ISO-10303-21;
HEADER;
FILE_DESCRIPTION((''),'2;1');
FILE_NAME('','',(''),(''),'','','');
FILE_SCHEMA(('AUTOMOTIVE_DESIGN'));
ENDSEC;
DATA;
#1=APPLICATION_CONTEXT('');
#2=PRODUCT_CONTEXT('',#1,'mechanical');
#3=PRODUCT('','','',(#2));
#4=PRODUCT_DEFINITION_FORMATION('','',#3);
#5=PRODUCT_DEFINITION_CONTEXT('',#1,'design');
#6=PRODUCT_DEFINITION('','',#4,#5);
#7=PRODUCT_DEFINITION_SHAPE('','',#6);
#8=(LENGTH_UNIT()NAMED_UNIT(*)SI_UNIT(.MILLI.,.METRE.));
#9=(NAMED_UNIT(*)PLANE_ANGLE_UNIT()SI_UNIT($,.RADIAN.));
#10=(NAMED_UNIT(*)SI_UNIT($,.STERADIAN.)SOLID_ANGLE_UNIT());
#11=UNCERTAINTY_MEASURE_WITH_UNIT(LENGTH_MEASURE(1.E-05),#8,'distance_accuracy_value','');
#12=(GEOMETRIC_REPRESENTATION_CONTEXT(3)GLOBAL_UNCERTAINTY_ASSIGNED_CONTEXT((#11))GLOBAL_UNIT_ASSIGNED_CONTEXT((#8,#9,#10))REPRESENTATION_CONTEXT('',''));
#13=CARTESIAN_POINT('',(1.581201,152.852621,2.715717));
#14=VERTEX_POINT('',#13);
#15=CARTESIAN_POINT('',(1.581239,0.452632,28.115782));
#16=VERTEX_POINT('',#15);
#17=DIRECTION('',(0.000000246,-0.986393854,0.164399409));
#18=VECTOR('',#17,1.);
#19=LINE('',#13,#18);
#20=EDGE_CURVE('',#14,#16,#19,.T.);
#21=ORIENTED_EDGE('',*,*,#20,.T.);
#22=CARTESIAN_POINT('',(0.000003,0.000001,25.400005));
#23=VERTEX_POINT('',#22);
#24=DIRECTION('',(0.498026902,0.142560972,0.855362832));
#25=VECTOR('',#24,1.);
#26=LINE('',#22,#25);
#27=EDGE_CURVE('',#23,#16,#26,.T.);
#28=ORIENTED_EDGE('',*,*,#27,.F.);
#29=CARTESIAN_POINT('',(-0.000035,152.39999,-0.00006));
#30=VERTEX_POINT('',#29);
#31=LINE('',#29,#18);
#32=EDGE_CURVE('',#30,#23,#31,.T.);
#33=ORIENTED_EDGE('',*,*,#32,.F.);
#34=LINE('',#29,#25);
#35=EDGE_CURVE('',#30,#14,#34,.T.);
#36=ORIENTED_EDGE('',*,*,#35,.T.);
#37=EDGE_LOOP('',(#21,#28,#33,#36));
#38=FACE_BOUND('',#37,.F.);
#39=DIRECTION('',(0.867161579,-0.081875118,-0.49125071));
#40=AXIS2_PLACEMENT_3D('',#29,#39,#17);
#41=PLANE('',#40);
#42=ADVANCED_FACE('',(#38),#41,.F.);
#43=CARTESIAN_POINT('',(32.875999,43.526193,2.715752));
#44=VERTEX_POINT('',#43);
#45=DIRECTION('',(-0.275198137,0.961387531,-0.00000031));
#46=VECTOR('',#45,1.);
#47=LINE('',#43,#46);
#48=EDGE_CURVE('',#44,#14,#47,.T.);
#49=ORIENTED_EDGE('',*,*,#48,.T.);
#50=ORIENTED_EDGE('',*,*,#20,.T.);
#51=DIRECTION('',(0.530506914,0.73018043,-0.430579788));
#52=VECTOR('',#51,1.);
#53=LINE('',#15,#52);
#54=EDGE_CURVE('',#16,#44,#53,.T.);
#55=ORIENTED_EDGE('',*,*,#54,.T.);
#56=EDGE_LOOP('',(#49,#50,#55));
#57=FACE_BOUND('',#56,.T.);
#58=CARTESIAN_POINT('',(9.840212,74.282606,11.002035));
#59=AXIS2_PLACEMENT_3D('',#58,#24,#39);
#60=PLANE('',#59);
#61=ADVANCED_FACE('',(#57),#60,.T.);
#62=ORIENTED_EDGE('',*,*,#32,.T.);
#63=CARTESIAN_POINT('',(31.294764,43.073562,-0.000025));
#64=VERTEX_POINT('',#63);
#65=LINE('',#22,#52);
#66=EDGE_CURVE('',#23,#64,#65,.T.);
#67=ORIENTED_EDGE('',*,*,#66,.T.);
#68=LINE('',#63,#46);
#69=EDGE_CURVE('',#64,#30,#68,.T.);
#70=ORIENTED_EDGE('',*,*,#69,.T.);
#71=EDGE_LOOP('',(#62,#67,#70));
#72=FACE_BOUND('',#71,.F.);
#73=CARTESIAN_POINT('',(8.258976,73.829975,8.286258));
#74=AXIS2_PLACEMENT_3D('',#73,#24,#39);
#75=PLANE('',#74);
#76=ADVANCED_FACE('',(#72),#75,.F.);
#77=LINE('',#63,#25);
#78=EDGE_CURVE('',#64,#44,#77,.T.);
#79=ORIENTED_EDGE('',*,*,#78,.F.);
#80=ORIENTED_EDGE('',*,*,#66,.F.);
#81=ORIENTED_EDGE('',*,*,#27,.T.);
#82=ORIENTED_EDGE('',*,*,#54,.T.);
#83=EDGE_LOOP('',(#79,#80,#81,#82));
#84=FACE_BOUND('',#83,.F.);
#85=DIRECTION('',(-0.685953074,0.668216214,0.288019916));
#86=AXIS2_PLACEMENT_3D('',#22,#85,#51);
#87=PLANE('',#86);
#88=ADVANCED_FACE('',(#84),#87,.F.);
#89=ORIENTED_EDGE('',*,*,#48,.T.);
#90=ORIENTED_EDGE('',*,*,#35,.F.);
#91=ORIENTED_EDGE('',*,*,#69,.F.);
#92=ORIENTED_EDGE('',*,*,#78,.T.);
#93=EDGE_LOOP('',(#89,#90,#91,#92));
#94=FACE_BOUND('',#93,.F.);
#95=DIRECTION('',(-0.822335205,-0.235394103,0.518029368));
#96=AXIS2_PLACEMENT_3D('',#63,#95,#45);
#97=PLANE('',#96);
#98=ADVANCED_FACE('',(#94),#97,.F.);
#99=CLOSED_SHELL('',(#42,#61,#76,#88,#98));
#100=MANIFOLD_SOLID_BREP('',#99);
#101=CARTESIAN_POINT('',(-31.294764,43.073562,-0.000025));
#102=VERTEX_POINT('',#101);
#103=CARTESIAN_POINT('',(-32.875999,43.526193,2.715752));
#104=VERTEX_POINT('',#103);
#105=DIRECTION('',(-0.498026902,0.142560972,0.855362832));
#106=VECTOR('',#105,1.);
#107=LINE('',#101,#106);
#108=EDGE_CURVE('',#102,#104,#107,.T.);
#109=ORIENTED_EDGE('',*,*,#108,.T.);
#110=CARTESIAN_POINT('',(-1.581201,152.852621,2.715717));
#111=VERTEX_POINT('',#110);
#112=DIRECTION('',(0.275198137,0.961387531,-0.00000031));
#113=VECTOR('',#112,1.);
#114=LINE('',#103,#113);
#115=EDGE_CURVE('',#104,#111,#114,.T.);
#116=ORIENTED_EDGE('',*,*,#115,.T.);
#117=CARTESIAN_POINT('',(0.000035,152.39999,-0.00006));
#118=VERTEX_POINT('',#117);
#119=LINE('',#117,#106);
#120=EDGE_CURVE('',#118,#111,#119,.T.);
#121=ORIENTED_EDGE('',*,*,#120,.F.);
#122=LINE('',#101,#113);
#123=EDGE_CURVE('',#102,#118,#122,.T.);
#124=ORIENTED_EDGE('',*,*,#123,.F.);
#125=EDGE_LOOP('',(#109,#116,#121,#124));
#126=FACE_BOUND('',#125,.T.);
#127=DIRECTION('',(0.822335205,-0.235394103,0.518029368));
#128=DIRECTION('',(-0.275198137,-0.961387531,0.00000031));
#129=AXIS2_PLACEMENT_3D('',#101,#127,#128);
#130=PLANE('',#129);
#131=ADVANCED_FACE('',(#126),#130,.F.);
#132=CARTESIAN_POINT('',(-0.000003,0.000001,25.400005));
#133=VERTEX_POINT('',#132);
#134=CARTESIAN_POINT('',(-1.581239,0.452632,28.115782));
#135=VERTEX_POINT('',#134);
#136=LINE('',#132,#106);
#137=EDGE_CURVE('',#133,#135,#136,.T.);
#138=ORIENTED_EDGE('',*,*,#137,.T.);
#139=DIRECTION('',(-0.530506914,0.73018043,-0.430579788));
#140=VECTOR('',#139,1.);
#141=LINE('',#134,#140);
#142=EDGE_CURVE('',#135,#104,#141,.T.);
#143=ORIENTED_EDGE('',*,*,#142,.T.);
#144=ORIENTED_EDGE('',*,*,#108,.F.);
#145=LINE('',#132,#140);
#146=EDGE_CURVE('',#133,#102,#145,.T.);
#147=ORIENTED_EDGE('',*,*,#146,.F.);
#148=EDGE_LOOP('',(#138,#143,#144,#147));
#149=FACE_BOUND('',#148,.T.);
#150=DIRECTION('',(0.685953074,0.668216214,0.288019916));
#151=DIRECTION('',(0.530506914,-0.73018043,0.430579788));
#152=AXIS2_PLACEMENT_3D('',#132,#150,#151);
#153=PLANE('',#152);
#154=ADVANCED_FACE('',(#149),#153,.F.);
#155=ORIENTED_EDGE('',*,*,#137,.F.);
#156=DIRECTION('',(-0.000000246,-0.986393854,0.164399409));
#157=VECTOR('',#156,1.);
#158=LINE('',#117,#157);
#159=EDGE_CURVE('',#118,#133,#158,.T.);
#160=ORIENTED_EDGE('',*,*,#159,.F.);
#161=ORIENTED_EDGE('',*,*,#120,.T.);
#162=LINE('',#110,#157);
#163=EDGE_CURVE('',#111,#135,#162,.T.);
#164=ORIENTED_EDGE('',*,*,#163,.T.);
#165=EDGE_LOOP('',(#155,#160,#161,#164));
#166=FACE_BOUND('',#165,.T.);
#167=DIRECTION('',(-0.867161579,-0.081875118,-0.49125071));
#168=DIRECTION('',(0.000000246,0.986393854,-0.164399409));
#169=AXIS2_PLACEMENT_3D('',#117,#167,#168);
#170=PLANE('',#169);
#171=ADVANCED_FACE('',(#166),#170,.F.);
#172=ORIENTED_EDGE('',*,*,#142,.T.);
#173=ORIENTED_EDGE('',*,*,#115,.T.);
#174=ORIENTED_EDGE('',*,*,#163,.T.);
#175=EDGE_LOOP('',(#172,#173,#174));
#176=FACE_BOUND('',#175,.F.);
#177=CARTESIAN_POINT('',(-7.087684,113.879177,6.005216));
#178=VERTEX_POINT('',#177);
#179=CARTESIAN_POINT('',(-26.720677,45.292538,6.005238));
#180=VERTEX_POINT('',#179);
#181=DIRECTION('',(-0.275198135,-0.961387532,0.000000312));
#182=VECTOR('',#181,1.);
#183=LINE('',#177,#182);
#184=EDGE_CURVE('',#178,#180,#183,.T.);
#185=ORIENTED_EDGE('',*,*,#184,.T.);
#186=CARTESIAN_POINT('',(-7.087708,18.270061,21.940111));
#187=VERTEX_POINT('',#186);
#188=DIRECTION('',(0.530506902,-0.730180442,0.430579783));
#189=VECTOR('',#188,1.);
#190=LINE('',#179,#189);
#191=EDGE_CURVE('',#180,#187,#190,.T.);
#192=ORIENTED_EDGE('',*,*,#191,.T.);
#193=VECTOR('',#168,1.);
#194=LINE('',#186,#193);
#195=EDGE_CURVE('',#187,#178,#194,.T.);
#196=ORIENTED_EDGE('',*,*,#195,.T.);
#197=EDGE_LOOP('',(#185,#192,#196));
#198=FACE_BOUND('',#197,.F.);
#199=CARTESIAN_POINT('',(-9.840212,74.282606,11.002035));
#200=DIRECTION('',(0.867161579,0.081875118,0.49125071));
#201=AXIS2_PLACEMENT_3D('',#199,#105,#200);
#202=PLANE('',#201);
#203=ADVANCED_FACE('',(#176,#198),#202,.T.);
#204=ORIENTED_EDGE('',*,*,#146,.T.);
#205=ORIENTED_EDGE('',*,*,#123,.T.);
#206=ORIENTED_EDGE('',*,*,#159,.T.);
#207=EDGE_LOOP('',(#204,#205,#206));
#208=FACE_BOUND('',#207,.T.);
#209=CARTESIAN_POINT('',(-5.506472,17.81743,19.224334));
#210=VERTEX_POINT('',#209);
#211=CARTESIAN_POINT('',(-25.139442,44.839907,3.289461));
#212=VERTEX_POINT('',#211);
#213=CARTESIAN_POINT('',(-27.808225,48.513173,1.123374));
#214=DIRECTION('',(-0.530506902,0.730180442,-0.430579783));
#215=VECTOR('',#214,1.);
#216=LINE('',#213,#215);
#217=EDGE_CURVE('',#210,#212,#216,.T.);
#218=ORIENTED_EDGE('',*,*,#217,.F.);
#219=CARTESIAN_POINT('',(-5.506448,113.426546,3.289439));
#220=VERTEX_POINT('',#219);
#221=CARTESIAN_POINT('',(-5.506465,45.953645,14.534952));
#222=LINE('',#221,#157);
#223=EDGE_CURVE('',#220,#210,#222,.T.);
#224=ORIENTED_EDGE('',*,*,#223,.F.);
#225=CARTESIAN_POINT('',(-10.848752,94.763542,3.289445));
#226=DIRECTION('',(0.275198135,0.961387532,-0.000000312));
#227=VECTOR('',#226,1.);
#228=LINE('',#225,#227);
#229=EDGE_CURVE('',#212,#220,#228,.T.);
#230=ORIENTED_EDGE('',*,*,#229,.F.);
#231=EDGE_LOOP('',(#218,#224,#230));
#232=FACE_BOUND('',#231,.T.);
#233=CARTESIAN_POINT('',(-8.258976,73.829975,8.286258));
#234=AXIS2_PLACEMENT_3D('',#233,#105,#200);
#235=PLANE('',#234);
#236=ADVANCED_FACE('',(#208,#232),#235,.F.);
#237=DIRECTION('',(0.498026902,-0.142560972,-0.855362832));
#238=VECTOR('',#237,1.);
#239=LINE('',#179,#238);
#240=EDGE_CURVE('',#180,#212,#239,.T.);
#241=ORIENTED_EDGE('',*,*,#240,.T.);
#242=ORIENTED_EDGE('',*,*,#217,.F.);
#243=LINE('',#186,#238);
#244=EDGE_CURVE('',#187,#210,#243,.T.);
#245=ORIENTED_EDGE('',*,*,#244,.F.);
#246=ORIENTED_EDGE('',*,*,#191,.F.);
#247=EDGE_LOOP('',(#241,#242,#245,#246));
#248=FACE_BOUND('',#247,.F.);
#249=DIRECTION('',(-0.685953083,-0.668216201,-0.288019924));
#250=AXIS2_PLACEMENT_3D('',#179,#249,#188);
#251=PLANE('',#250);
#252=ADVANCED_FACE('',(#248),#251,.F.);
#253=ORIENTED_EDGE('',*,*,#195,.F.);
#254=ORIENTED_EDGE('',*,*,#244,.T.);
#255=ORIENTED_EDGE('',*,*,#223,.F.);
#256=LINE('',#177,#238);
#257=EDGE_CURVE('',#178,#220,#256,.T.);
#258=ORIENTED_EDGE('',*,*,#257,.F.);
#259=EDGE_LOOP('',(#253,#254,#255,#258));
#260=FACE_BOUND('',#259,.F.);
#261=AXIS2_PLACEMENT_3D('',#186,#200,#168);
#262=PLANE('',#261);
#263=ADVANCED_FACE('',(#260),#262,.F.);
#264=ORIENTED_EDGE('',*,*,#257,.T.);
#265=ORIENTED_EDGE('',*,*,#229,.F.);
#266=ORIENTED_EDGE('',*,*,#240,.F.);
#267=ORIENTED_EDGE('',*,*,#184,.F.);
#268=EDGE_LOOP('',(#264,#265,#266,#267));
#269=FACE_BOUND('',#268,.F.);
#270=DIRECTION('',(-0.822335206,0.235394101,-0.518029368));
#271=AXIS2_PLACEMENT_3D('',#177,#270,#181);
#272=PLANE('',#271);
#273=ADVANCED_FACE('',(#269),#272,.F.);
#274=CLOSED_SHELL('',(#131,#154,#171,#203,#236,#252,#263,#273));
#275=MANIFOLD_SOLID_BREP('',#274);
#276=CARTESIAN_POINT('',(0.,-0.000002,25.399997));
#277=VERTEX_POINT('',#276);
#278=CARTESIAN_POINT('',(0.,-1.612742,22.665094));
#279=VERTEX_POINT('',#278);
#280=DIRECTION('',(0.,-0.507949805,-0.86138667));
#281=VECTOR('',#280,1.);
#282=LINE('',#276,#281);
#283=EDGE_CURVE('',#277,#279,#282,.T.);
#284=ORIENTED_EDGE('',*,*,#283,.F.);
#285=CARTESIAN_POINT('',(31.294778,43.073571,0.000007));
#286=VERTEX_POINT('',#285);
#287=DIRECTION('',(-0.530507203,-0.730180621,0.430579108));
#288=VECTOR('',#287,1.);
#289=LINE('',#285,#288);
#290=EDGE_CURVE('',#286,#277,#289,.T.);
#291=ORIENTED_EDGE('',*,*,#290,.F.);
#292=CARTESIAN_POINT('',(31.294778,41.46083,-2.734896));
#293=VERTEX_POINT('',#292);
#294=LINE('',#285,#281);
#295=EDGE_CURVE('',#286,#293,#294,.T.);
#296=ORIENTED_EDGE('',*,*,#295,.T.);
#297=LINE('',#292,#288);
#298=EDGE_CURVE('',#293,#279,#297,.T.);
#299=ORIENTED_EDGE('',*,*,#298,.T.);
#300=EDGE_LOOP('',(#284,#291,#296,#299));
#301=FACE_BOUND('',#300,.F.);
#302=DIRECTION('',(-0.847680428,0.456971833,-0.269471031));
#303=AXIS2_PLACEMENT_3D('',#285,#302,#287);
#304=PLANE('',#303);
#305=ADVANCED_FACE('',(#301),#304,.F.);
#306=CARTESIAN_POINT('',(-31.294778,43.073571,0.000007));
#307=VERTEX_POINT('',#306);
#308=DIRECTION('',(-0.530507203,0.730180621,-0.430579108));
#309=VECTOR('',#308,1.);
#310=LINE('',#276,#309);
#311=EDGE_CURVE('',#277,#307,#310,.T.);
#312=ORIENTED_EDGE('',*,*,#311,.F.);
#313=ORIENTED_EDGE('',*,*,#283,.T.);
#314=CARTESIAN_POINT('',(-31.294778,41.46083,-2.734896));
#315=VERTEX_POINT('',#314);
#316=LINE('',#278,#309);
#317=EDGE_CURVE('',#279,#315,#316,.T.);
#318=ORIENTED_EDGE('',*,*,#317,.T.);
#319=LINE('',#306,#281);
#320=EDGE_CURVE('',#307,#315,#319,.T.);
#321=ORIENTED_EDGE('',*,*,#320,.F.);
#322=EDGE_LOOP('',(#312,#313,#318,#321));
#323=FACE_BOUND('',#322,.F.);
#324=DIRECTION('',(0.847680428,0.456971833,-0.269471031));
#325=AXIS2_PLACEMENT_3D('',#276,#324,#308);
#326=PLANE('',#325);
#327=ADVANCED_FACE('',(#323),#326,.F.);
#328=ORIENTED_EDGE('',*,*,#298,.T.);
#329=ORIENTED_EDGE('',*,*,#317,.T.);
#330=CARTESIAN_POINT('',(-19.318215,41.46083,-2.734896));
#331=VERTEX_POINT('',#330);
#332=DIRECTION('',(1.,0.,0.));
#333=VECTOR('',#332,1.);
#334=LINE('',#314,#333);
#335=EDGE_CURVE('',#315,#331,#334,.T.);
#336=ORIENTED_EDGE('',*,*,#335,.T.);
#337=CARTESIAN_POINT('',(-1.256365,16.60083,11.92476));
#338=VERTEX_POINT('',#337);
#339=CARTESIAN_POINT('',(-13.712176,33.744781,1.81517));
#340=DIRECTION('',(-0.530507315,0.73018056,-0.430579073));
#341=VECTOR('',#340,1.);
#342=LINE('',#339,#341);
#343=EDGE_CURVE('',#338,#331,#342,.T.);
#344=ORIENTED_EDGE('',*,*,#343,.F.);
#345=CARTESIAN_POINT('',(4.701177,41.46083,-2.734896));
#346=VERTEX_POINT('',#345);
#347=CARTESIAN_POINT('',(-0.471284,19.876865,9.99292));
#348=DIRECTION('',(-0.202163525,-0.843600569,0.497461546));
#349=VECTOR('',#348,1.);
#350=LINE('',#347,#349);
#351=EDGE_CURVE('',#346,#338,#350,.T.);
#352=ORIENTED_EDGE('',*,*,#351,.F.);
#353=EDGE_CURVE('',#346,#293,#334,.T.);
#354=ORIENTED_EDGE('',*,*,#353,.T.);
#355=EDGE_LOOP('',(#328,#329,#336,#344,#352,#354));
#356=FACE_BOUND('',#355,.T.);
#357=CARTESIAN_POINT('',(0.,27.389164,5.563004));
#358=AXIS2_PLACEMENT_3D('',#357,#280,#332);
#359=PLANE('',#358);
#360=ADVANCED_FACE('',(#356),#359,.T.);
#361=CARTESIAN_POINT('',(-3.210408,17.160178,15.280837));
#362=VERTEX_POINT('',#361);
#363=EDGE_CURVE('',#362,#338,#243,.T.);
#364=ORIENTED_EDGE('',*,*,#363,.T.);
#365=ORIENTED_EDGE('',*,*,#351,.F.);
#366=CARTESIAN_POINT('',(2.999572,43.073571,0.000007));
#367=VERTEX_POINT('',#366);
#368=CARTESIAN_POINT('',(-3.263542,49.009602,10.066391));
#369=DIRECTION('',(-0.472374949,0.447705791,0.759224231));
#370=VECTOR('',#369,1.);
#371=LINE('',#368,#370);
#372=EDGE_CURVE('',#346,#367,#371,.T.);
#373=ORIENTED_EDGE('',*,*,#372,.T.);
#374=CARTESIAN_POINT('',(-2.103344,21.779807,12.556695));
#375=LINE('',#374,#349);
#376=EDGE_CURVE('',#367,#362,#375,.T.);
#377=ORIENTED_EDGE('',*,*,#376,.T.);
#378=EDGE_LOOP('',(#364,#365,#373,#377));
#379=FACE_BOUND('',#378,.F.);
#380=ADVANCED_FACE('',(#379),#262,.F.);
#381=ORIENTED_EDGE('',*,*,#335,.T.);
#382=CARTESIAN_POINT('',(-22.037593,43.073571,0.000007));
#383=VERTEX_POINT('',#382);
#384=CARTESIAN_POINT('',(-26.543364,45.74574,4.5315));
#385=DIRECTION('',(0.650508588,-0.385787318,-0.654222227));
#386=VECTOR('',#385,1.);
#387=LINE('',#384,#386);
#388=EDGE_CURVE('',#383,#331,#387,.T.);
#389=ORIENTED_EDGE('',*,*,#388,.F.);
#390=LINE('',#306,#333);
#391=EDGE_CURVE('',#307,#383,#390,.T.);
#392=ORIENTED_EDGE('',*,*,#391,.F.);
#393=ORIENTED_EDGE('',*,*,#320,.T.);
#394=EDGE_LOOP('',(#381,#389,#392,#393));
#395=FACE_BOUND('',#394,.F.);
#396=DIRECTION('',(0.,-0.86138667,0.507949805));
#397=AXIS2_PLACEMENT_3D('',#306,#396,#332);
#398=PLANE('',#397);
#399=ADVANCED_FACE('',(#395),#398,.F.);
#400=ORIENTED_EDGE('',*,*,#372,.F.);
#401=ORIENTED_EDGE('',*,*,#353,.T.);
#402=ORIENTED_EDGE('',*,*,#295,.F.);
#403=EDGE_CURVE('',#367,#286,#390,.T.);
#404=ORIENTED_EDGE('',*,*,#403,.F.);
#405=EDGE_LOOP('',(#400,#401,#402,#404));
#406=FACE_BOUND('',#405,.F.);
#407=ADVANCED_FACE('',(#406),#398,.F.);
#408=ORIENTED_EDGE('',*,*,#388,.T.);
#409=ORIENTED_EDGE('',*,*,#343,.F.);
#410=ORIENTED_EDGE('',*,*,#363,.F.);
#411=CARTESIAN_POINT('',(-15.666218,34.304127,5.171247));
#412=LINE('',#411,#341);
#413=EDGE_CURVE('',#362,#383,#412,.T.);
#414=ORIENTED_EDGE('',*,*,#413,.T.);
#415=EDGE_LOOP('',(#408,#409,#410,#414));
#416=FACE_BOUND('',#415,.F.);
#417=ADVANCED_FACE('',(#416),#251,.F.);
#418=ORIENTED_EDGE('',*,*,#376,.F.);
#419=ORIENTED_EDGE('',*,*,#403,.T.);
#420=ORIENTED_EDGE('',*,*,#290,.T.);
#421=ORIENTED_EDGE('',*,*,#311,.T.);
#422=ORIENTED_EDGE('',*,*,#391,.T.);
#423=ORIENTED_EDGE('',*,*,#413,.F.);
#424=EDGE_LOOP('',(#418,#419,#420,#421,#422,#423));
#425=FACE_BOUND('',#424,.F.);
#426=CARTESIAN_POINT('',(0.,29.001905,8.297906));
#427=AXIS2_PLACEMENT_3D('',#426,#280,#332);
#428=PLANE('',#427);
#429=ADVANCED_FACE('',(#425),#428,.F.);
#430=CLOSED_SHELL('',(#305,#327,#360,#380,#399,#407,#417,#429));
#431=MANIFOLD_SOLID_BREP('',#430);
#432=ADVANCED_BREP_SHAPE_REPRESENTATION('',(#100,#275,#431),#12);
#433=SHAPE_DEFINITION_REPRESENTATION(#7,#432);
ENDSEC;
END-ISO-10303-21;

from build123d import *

# Parameters (mm, degrees)
F6_DEPTH  = 3.175
F10_DEPTH = 3.175
F12_DEPTH = 43.844599


with BuildPart() as f6:
    # F5 (on face) → F6 (new body)
    with BuildSketch(Plane(origin=(10.820237, 3.097301, 18.583808), x_dir=(0.867162, -0.081875, -0.49125), z_dir=(0.498027, 0.142561, 0.855363))):
        Polygon((23.610983, 42.487504), (-12.477761, 150.326434), (-12.477761, -4.175734), align=None)
    extrude(amount=F6_DEPTH)


with BuildPart() as f7_1:
    # F7: instance of F6
    add(f6.part.mirror(Plane.YZ))


with BuildPart() as f10:
    # F9 (on face) → F10 (new body)
    with BuildSketch(Plane(origin=(0, 11.113549, 18.846464), x_dir=(1, 0, 0), z_dir=(0, -0.50795, -0.861387))):
        Polygon((0, -37.102991), (31.294778, -37.102991), (0, 12.90193), (-31.294778, -37.102991), align=None)
    extrude(amount=F10_DEPTH)


with BuildPart() as f12_tool:
    # F11 (on face) → F12 (new body, through all)
    with BuildSketch(Plane(origin=(-12.401471, 3.549931, 21.299586), x_dir=(0.867162, 0.081875, 0.49125), z_dir=(-0.498027, 0.142561, 0.855363))):
        Polygon((6.127762, 14.414545), (6.127762, 111.342477), (-16.512744, 43.689029), align=None)
    extrude(amount=-F12_DEPTH)


with BuildPart() as f7_1_1:
    add(f7_1.part)

    # F12: cut by f12_tool
    add(f12_tool.part, mode=Mode.SUBTRACT)


with BuildPart() as f10_1:
    add(f10.part)

    # F12: cut by f12_tool
    add(f12_tool.part, mode=Mode.SUBTRACT)


solid = Compound([f6.part, f7_1_1.part, f10_1.part])
